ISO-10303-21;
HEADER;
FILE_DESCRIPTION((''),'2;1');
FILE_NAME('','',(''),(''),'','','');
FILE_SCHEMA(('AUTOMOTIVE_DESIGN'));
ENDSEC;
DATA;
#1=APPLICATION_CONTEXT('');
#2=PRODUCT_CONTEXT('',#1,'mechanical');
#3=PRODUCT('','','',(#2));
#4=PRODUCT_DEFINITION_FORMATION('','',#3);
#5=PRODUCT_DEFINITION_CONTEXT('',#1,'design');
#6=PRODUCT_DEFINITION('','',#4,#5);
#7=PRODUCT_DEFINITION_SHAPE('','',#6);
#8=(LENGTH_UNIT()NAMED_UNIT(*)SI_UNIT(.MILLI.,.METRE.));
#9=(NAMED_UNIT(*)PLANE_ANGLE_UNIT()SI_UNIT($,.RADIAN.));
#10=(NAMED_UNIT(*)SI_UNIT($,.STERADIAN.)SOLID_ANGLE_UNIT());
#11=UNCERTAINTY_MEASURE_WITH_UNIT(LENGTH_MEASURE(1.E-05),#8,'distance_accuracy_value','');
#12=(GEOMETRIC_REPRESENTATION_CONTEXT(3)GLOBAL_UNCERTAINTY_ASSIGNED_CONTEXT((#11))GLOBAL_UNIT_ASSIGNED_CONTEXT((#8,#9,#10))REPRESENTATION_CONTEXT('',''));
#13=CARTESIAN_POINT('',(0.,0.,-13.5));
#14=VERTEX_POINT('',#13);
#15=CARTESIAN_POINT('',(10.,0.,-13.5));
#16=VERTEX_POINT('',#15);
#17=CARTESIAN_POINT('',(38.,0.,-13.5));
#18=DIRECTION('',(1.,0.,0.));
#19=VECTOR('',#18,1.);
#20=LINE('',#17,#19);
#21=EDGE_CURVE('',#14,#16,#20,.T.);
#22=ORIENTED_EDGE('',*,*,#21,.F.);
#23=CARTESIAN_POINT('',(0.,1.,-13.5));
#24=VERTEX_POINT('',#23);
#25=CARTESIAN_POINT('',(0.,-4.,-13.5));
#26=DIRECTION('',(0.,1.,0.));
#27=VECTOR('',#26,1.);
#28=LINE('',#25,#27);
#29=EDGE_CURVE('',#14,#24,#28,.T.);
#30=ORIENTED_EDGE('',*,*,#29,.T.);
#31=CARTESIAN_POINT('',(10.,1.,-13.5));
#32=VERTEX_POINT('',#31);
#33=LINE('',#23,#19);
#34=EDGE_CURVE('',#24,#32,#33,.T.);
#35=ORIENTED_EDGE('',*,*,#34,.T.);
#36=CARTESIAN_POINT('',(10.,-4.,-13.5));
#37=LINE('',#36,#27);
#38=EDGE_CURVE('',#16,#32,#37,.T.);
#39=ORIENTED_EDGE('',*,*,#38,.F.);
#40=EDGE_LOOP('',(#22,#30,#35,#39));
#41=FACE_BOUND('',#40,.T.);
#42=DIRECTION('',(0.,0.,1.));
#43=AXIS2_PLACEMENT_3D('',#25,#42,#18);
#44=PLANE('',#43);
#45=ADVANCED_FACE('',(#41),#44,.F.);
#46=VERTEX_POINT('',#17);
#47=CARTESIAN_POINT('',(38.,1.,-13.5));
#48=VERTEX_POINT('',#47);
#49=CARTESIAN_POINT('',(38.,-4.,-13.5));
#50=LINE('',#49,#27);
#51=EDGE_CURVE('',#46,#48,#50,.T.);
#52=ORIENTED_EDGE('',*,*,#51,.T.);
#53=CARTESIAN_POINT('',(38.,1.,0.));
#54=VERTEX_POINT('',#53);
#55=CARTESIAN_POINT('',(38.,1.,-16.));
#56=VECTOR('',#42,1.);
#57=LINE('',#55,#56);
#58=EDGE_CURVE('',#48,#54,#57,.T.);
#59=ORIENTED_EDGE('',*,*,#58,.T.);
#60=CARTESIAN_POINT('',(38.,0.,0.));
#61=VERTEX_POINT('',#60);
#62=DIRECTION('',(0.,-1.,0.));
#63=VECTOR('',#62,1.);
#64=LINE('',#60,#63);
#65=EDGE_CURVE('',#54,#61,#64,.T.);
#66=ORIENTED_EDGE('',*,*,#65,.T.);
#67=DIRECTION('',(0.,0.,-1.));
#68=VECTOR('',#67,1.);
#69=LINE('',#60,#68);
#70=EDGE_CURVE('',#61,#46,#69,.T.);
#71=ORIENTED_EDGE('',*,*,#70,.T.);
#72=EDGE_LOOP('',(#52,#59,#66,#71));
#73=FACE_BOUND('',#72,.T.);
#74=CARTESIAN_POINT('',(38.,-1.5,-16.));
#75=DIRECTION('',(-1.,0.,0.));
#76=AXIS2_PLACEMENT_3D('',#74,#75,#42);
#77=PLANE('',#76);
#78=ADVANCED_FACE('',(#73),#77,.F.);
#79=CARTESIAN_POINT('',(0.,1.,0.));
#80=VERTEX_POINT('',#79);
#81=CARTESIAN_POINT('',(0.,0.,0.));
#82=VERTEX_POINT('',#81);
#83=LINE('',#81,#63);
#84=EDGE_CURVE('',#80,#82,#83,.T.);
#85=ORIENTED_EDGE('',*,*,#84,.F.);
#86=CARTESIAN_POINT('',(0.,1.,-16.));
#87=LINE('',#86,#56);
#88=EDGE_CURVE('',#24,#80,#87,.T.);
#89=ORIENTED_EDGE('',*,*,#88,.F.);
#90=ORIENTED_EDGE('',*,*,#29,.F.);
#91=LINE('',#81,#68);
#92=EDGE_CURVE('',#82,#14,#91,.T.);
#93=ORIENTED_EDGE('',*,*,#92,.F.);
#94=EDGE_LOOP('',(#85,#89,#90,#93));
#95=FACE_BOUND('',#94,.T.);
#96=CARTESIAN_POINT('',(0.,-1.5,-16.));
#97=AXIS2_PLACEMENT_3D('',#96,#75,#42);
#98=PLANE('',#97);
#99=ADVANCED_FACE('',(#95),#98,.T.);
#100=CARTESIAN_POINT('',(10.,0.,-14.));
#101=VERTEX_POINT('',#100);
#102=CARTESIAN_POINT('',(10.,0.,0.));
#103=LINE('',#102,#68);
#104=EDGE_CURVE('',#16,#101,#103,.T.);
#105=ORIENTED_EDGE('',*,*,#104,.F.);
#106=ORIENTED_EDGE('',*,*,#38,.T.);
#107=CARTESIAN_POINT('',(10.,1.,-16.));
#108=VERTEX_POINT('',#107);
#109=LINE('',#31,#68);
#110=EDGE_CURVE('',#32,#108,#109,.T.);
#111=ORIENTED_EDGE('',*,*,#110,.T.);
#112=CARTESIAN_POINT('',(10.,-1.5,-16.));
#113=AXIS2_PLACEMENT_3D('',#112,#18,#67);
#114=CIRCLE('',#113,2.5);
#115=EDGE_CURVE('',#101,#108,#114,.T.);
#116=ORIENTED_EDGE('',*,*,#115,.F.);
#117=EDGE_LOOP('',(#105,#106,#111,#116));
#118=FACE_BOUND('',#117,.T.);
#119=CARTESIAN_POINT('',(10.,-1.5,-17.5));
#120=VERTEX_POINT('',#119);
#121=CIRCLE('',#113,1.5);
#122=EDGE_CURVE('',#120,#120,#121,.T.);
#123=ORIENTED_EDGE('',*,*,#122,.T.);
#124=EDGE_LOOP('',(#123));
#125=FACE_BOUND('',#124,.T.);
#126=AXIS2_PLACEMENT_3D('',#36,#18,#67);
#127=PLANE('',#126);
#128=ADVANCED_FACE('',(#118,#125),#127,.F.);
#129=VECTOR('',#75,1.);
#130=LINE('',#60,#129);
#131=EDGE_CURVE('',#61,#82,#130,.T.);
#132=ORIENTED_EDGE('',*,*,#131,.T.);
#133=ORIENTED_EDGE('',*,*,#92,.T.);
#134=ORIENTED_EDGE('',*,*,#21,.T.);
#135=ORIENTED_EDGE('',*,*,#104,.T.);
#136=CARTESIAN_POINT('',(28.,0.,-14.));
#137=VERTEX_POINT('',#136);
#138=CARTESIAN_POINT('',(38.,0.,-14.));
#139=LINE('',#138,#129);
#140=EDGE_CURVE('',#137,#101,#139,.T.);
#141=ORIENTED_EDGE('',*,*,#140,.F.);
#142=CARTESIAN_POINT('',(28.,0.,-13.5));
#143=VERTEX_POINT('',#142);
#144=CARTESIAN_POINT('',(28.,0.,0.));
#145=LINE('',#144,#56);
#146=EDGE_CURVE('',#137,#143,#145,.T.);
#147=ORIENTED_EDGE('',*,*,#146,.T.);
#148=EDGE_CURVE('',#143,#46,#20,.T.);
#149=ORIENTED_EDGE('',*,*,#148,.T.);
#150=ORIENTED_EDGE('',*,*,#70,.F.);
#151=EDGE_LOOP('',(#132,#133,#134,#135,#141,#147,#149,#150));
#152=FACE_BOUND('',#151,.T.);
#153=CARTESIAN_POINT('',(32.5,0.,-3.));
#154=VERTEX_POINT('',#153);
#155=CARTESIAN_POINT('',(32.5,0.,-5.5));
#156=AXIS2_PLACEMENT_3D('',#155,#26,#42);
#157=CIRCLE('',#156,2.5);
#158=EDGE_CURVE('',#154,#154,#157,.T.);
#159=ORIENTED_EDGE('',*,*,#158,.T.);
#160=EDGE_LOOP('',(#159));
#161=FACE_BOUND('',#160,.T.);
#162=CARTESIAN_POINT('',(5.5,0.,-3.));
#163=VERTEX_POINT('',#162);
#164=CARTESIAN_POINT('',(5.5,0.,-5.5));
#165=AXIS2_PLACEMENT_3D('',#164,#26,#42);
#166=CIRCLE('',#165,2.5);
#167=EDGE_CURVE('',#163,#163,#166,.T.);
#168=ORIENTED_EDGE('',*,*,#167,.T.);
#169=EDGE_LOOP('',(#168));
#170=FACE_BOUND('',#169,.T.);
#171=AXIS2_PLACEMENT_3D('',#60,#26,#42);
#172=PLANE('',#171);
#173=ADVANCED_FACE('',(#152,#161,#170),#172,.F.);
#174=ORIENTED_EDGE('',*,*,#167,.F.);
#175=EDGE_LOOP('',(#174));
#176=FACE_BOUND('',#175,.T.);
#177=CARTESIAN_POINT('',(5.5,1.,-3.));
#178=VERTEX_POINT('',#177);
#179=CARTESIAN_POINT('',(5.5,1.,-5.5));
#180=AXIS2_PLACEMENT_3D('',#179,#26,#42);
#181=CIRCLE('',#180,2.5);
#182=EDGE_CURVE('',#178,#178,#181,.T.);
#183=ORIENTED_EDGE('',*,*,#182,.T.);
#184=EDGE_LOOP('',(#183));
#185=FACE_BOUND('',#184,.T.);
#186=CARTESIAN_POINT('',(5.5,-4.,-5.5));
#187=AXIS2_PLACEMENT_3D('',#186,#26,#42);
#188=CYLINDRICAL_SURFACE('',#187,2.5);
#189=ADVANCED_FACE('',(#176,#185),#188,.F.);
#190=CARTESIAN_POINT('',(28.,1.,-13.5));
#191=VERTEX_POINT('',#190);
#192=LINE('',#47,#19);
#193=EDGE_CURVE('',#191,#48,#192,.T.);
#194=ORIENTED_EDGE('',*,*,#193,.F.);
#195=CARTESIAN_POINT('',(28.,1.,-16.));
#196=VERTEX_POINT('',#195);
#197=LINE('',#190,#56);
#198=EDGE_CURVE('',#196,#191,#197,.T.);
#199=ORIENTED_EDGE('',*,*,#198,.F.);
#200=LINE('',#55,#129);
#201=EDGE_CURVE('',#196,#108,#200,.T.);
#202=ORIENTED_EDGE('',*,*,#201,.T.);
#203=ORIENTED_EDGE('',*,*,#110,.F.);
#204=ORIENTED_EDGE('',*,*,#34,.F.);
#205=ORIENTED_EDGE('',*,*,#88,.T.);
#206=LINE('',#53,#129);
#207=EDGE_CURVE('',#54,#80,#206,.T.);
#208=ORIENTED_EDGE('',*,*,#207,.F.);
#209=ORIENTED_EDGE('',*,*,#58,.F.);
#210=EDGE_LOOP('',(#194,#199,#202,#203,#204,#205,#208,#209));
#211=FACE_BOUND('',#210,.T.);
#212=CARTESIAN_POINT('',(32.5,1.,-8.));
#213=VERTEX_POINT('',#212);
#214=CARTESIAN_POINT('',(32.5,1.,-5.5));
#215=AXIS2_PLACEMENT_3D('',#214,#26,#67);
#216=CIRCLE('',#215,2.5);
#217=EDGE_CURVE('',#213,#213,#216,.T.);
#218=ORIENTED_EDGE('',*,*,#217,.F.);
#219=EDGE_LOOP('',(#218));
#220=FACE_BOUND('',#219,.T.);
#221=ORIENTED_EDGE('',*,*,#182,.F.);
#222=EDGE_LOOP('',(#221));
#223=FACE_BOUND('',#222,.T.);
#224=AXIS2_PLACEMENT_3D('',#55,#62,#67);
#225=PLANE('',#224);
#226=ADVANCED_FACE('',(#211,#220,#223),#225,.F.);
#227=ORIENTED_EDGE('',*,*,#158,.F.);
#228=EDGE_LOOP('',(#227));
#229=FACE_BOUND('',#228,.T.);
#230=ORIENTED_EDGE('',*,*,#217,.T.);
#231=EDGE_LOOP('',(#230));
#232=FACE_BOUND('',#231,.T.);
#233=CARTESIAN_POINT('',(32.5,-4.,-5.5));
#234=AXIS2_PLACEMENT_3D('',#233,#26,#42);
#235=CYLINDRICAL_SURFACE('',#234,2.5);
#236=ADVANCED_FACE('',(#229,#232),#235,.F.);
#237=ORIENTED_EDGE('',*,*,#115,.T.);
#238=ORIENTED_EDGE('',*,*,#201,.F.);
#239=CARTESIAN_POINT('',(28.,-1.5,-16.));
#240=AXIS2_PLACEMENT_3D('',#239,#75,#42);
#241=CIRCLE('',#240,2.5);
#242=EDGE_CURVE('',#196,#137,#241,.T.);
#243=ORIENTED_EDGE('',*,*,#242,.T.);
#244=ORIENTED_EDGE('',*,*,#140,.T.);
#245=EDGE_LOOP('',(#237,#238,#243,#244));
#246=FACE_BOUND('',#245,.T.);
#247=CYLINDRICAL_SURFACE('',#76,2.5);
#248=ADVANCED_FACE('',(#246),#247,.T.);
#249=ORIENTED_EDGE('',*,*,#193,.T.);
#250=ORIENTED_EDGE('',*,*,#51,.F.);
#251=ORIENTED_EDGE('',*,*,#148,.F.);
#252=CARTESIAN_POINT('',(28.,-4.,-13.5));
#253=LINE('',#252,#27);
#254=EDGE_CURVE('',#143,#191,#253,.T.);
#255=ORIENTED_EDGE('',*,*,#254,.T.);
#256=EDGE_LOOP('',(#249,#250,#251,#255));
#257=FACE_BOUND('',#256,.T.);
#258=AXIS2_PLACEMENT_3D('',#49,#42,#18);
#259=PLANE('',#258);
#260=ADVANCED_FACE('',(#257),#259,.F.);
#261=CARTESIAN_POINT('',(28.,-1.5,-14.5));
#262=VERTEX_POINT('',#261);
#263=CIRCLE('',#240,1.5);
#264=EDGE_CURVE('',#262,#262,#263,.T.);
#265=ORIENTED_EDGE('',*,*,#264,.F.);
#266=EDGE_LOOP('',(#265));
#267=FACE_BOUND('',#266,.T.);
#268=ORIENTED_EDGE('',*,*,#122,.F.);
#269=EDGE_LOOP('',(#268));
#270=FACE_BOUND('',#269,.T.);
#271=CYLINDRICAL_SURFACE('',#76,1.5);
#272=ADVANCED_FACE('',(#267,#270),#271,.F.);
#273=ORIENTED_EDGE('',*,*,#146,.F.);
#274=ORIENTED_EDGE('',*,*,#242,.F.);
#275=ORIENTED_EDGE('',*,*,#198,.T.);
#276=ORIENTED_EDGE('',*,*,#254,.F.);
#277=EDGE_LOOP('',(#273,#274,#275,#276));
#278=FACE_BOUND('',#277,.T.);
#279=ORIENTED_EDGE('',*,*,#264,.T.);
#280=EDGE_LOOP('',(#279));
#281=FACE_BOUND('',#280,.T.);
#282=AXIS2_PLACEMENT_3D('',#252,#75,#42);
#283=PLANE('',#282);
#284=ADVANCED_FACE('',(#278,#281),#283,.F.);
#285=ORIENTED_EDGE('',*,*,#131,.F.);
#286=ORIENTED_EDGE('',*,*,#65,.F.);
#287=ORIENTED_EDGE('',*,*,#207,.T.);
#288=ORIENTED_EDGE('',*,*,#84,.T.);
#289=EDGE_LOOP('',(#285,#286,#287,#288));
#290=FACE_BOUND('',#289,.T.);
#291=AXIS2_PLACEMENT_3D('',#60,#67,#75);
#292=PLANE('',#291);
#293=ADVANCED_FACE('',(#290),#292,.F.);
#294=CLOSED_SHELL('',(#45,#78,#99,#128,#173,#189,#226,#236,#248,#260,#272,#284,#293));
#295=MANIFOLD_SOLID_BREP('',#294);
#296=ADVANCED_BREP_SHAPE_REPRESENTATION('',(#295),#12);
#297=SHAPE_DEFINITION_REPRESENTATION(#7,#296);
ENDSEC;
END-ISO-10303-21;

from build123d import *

# Parameters (mm, degrees)
SKETCH3_R           = 1.5
BOSS_EXTRUDE2_DEPTH = 38
SKETCH4_W           = 10
SKETCH4_H           = 5
CUT_EXTRUDE1_DEPTH  = 6
SKETCH5_R           = 2.5
CUT_EXTRUDE2_DEPTH  = 6


with BuildPart() as part:
    # Sketch3 → Boss-Extrude2 (new body)
    with BuildSketch(Plane(origin=(0, 0, 0), x_dir=(0, 0, -1), z_dir=(1, 0, 0))):
        with BuildLine():
            Line((16, 1), (0, 1))
            Line((0, 1), (0, 0))
            Line((0, 0), (14, 0))
            ThreePointArc((14, 0), (17.118033989, -3.736067977), (16, 1))
        make_face()
        with Locations((16, -1.5)):
            Circle(SKETCH3_R, mode=Mode.SUBTRACT)
    extrude(amount=BOSS_EXTRUDE2_DEPTH)

    # Sketch4 → Cut-Extrude1 (cut, through all)
    with BuildSketch(Plane(origin=(0, 1, 0), x_dir=(1, 0, 0), z_dir=(0, 1, 0))):
        with Locations((33, 16)):
            Rectangle(SKETCH4_W, SKETCH4_H)
        with Locations((5, 16)):
            Rectangle(SKETCH4_W, SKETCH4_H)
    extrude(amount=-CUT_EXTRUDE1_DEPTH, mode=Mode.SUBTRACT)

    # Sketch5 → Cut-Extrude2 (cut, through all)
    with BuildSketch(Plane(origin=(0, 1, 0), x_dir=(1, 0, 0), z_dir=(0, 1, 0))):
        with Locations((5.5, 5.5)):
            Circle(SKETCH5_R)
        with Locations((32.5, 5.5)):
            Circle(SKETCH5_R)
    extrude(amount=-CUT_EXTRUDE2_DEPTH, mode=Mode.SUBTRACT)


solid = part.part
